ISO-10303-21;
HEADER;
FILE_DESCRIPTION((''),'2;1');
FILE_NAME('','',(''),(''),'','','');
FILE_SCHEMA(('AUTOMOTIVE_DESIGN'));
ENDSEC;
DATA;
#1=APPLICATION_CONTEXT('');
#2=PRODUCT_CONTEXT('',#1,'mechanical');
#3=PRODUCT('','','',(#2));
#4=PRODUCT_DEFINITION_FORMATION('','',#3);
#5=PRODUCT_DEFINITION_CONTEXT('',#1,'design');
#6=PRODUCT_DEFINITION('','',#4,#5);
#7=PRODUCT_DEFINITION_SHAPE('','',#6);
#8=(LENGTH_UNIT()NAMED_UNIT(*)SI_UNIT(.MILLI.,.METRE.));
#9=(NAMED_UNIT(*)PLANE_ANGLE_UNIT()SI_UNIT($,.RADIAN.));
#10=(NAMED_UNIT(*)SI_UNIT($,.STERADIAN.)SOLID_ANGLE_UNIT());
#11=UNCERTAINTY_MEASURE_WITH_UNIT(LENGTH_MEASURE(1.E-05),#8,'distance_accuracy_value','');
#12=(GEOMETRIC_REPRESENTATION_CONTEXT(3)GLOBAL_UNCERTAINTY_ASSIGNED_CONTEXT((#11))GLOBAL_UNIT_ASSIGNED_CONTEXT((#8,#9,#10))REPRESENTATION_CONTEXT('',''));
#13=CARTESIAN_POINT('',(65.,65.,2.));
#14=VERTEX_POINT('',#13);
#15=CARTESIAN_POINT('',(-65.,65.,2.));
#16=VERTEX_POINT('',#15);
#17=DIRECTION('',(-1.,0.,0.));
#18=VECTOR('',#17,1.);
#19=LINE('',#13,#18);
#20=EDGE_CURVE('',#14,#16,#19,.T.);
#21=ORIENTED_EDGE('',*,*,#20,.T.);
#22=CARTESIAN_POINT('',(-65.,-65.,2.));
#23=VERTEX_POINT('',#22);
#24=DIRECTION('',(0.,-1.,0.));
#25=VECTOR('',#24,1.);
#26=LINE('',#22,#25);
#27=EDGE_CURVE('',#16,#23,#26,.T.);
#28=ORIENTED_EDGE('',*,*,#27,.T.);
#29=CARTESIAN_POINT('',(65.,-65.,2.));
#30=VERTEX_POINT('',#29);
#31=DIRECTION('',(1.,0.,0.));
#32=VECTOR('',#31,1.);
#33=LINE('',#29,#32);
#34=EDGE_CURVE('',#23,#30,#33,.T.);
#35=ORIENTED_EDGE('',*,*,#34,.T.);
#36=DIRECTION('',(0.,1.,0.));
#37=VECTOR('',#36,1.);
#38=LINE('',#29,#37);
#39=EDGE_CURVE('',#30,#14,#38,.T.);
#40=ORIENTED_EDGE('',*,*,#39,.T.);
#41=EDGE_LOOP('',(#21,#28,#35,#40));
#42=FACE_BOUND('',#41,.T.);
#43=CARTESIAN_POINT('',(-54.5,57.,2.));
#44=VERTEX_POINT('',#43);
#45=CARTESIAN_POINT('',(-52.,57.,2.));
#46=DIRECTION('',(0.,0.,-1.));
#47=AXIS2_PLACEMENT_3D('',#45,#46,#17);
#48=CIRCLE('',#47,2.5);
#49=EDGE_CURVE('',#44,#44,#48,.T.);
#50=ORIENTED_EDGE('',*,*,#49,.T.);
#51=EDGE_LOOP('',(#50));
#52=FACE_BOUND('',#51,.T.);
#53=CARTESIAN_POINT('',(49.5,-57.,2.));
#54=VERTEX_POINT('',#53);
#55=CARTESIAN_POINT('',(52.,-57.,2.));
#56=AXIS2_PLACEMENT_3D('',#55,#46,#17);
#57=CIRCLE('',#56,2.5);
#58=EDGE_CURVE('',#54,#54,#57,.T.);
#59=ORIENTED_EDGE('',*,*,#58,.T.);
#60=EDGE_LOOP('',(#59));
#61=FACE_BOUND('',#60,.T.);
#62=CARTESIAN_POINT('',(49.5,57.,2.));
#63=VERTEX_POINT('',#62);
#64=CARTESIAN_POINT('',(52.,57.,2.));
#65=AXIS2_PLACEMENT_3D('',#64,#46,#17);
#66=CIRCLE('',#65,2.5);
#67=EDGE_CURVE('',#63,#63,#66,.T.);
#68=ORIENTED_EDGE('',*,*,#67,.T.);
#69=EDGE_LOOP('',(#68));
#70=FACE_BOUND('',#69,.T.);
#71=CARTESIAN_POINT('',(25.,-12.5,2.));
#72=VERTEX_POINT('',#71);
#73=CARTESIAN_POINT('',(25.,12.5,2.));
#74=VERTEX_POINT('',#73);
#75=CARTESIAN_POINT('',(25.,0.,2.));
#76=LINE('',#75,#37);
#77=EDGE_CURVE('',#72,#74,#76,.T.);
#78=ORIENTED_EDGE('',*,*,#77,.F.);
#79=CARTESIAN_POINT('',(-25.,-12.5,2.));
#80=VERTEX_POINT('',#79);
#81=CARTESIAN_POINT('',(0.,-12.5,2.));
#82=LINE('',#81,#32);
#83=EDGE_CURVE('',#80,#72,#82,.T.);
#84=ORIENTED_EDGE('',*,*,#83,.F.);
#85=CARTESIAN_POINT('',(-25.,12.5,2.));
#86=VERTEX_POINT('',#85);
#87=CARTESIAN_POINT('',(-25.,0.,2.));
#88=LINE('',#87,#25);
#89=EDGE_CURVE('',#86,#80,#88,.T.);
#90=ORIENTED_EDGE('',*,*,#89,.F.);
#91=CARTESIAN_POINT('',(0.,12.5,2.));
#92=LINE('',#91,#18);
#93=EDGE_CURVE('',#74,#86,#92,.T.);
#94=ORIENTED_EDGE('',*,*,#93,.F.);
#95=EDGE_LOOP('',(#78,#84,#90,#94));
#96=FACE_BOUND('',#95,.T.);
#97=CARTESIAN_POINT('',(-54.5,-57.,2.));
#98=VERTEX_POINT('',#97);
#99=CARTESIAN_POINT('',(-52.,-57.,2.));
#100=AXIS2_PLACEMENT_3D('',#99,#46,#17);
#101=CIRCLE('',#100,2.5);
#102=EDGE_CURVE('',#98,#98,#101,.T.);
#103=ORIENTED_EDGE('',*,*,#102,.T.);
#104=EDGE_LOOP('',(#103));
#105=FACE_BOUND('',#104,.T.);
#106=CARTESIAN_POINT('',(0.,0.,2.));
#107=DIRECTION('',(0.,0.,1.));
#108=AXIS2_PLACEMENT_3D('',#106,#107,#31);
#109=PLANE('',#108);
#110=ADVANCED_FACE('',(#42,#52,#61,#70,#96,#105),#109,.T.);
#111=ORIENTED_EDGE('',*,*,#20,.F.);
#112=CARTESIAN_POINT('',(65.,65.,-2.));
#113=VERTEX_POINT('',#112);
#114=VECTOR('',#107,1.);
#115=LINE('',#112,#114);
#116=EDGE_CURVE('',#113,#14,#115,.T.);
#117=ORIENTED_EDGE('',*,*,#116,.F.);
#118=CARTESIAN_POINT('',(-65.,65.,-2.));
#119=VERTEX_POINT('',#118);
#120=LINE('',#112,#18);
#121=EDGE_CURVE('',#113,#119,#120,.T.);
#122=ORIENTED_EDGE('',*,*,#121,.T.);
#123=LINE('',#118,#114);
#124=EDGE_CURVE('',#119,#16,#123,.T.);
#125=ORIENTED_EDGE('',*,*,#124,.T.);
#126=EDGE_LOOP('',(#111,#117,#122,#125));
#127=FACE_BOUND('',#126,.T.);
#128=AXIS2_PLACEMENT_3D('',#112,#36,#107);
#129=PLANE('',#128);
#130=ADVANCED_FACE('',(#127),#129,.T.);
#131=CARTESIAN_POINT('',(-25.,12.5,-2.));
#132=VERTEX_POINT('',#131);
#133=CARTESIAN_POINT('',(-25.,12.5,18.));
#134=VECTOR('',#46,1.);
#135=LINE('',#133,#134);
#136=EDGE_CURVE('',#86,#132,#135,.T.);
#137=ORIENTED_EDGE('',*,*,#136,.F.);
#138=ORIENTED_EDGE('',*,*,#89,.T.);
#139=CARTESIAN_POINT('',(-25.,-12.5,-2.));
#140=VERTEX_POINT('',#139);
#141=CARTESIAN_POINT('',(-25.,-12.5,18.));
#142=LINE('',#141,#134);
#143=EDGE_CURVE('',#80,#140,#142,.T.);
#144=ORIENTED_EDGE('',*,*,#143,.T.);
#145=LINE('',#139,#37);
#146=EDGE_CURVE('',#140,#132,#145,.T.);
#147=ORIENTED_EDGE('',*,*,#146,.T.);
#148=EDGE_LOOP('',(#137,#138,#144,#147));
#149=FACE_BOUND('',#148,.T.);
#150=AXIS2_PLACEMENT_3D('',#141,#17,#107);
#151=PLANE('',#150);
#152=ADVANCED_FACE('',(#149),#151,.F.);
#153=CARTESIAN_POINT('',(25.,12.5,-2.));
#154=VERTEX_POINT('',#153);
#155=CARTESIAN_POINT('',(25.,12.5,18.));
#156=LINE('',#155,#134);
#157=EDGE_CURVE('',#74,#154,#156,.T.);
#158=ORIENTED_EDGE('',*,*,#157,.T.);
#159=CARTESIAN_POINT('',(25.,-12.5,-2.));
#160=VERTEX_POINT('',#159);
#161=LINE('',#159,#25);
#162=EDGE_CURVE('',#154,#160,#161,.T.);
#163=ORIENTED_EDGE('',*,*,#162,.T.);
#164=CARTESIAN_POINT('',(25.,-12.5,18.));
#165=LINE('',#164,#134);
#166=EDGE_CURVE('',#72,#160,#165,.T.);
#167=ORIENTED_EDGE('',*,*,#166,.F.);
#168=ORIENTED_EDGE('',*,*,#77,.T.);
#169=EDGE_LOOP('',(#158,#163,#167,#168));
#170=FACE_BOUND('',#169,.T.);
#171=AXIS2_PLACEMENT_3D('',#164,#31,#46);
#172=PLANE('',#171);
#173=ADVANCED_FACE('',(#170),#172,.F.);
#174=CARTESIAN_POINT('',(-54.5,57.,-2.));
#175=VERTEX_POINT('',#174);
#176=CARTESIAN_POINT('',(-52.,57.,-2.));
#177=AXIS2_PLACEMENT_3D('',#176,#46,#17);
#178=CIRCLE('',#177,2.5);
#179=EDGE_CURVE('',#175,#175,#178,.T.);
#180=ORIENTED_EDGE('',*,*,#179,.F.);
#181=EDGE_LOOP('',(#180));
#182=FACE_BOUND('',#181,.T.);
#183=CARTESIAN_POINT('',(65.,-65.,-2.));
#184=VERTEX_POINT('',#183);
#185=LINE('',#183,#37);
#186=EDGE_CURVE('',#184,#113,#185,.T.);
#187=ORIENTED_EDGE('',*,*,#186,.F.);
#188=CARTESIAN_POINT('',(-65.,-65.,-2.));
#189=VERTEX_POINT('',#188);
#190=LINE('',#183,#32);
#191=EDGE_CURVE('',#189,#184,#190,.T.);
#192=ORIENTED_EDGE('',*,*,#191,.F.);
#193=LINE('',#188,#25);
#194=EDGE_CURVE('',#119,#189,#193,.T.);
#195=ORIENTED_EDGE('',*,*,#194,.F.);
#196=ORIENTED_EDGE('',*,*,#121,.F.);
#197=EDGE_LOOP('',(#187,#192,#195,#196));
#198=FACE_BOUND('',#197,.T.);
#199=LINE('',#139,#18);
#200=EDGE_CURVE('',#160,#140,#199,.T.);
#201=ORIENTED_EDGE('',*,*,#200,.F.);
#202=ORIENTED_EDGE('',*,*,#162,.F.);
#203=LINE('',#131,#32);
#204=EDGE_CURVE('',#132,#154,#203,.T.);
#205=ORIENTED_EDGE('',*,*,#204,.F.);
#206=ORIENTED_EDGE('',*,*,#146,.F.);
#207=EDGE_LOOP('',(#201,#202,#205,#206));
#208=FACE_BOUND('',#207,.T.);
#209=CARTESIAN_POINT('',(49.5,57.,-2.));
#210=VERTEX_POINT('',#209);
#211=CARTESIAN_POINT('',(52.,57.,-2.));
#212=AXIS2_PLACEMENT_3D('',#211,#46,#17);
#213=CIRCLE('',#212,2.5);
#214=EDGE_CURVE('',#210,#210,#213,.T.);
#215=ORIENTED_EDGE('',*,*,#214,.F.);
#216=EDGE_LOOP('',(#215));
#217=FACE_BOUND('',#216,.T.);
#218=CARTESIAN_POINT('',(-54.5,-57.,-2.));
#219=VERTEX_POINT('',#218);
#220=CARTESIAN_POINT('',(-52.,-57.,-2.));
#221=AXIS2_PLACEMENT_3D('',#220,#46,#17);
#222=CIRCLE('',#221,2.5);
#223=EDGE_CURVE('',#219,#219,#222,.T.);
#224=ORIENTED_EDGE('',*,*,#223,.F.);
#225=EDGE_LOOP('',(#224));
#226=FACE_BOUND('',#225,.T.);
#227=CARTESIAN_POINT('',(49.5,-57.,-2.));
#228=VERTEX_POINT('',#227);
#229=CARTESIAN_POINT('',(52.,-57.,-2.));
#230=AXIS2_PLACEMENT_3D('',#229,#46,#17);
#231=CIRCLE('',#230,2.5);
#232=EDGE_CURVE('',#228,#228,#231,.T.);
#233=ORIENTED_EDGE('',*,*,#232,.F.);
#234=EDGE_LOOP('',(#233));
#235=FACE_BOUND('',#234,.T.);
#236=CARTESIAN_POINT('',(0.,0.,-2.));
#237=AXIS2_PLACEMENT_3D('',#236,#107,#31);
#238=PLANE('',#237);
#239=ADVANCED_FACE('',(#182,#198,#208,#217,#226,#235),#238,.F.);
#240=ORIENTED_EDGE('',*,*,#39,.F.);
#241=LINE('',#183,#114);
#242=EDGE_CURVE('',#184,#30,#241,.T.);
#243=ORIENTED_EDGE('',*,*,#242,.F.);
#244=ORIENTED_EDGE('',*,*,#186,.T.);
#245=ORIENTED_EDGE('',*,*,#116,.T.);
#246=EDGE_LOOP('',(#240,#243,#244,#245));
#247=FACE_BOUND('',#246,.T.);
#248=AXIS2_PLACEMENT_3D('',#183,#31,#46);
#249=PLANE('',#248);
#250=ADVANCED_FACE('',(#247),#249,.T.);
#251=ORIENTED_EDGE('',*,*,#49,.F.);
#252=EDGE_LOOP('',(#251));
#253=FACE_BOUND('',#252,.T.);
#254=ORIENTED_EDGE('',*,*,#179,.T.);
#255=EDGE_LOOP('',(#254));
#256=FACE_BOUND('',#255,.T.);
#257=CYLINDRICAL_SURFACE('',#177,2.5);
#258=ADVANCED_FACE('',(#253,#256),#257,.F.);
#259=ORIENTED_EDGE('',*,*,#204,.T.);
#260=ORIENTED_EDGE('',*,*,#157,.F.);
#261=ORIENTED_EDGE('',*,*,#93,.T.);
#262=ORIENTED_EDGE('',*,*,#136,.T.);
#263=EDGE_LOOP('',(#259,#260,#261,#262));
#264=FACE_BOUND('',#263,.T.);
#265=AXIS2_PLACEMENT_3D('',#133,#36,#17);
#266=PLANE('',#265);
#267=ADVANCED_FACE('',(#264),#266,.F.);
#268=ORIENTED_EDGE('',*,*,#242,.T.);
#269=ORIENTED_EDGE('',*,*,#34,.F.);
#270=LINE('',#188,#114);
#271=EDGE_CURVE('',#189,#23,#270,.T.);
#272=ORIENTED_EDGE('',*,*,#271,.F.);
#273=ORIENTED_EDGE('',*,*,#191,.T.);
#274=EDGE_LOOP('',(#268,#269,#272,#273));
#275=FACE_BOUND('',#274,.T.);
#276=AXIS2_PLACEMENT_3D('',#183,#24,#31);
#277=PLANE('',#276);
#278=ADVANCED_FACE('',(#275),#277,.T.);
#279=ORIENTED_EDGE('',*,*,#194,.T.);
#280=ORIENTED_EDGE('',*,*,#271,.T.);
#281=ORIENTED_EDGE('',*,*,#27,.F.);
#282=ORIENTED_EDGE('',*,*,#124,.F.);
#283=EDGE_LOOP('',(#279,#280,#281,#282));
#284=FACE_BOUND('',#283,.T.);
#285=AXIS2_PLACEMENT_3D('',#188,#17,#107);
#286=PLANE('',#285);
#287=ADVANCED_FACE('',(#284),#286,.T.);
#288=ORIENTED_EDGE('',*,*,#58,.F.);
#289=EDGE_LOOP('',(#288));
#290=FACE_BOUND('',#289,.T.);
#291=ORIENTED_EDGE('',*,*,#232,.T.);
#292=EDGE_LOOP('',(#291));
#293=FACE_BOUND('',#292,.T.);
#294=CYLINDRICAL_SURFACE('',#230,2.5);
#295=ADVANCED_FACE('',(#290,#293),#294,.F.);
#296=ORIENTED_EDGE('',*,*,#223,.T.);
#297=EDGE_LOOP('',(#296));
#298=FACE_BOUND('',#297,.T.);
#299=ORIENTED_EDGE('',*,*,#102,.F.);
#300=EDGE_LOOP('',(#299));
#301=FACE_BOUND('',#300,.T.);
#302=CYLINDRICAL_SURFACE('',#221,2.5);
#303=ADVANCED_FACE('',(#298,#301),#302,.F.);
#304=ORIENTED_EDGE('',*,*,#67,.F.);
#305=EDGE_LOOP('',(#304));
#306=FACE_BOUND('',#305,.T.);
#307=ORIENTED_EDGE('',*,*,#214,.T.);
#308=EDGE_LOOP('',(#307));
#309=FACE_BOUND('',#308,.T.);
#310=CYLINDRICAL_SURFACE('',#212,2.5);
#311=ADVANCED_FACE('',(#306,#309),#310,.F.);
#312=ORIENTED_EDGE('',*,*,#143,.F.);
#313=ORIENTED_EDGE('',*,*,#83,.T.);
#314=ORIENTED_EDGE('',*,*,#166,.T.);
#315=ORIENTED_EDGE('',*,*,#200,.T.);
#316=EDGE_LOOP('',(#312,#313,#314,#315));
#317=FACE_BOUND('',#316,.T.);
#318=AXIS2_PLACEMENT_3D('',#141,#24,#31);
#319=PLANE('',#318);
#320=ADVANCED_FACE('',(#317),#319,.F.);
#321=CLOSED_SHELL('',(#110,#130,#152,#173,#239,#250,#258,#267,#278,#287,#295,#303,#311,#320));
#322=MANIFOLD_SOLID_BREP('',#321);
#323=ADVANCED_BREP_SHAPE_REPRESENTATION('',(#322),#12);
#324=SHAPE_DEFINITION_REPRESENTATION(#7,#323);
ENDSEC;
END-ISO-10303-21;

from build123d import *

# Parameters (mm, degrees)
BOSS_EXTRUDE1_DEPTH         = 2
BOSS_EXTRUDE1_DEPTH_BACK    = 2
SKETCH1_W                   = 130
SKETCH1_H                   = 130
TAP_DRILL_FOR_M5X0_8_TAP1_D = 5
SKETCH5_W                   = 50
SKETCH5_H                   = 25
CUT_EXTRUDE2_DEPTH          = 20


with BuildPart() as part:
    # Sketch1 → Boss-Extrude1 (new, two sides: drawn at the far end of the back side and taken through both)
    with BuildSketch(Plane.XY.offset(-BOSS_EXTRUDE1_DEPTH_BACK)):
        Rectangle(SKETCH1_W, SKETCH1_H)
    extrude(amount=BOSS_EXTRUDE1_DEPTH + BOSS_EXTRUDE1_DEPTH_BACK)

    # Tap Drill for M5x0.8 Tap1 (through all)
    with Locations(Plane(origin=(0, 0, -2), x_dir=(-1, 0, 0), z_dir=(0, 0, -1))):
        with Locations((-52, 57), (52, 57), (52, -57), (-52, -57)):
            Hole(TAP_DRILL_FOR_M5X0_8_TAP1_D / 2)

    # Sketch5 → Cut-Extrude2 (cut)
    with BuildSketch(Plane(origin=(0, 0, -2), x_dir=(-1, 0, 0), z_dir=(0, 0, -1))):
        Rectangle(SKETCH5_W, SKETCH5_H)
    extrude(amount=-CUT_EXTRUDE2_DEPTH, mode=Mode.SUBTRACT)


solid = part.part
